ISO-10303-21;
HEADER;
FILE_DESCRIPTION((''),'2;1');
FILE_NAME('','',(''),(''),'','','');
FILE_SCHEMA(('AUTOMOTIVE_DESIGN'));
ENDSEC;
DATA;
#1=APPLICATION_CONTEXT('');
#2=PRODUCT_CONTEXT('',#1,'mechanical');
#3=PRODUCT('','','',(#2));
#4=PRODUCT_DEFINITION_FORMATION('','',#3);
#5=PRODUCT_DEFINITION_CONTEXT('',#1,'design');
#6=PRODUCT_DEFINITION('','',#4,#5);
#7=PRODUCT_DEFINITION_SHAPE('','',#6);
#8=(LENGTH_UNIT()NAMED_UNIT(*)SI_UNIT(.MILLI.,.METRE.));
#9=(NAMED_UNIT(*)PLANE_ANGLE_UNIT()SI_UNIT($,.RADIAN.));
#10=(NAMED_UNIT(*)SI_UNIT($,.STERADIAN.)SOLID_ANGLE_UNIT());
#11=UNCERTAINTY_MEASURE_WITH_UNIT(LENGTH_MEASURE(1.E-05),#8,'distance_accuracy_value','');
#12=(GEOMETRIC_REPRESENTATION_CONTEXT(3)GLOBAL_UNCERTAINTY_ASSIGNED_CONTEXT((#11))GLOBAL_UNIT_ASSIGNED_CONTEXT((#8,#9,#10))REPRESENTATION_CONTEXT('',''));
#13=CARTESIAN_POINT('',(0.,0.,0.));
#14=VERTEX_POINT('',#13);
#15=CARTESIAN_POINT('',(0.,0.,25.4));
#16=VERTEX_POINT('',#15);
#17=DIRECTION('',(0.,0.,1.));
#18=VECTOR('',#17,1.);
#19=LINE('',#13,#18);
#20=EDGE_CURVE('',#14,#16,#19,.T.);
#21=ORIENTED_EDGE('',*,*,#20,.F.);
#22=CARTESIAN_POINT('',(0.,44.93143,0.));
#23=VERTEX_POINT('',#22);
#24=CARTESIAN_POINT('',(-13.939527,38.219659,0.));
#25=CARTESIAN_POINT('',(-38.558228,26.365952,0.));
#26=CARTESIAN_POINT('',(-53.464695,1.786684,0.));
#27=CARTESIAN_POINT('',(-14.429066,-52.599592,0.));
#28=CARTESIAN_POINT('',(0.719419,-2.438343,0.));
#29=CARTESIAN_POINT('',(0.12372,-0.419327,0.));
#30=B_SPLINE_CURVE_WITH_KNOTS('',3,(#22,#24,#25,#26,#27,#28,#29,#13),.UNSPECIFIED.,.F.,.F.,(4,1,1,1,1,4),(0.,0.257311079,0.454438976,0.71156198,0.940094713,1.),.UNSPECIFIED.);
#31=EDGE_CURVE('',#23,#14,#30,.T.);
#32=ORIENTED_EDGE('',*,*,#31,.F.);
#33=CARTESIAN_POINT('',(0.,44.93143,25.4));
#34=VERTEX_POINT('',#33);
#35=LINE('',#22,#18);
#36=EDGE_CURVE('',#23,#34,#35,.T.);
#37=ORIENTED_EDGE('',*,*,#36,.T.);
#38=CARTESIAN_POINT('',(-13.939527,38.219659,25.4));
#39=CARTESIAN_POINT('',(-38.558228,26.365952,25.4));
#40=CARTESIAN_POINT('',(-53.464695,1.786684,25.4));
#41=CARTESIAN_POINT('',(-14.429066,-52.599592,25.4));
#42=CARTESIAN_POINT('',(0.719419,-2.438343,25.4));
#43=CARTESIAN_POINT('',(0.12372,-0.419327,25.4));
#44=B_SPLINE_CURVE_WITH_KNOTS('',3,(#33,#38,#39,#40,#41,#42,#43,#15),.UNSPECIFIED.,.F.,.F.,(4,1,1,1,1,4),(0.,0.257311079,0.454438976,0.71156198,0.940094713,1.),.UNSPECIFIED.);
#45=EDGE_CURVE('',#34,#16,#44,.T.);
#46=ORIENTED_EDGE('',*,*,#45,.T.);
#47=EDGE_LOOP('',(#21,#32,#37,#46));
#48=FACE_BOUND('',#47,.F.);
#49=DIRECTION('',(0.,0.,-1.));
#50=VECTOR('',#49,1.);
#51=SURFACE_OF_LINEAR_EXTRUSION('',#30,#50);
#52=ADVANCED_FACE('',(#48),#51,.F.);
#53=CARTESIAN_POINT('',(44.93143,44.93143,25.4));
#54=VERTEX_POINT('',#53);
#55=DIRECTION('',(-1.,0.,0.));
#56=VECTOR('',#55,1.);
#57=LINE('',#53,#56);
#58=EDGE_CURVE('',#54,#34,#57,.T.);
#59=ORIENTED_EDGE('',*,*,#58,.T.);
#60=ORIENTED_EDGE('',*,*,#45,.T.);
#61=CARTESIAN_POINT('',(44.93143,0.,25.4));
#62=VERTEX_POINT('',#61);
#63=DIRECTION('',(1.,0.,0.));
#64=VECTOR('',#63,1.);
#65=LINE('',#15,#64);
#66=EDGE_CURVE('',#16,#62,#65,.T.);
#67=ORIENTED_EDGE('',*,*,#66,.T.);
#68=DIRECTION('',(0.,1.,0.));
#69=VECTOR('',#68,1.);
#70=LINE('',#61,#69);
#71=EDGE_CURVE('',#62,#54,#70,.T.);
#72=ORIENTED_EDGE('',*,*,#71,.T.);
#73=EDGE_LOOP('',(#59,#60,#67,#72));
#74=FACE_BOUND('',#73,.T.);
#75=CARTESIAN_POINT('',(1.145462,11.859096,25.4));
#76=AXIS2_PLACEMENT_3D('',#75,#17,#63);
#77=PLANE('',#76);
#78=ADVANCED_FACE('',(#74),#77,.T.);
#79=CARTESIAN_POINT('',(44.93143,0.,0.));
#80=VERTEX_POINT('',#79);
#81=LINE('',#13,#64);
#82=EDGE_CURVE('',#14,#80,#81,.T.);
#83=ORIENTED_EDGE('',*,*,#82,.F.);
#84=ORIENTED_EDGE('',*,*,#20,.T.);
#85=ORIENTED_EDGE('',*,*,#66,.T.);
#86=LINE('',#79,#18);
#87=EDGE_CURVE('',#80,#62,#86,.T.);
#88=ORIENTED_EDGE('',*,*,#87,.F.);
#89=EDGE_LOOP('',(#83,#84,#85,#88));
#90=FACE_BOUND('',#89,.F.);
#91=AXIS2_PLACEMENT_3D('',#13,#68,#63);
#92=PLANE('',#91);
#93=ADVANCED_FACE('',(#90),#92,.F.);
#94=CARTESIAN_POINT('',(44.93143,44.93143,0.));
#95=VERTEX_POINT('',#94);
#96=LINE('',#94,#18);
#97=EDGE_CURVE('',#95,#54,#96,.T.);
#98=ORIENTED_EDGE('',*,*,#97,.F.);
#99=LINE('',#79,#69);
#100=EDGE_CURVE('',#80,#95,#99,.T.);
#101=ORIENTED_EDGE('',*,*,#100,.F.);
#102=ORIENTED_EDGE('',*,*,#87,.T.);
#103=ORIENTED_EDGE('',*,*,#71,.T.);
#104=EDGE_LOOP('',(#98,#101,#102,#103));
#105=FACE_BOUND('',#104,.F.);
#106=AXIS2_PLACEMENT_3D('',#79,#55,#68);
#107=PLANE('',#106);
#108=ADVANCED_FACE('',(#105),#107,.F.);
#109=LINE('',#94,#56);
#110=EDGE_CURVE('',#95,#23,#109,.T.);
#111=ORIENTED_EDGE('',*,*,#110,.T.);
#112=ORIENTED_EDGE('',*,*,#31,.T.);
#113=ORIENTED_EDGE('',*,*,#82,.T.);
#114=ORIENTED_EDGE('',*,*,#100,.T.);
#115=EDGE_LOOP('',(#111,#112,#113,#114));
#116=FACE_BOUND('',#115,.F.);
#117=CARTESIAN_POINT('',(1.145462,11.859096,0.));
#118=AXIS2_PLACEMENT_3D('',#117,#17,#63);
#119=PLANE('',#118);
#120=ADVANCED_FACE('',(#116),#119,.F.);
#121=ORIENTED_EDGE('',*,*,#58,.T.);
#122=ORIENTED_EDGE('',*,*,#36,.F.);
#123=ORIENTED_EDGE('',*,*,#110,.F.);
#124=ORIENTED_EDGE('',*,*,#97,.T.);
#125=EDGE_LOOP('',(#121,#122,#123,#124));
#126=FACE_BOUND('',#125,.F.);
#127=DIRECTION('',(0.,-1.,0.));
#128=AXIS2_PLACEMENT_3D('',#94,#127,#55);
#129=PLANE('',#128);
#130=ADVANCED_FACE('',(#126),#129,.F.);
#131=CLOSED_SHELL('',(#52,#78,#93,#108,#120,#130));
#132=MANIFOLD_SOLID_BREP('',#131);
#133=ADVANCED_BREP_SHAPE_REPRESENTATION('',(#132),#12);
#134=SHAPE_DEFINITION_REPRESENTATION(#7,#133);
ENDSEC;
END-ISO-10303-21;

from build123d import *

# Parameters (mm, degrees)
F1_DEPTH = 25.4


with BuildPart() as f1:
    # F0 (on Top) → F1 (new body)
    with BuildSketch(Plane.XY):
        with BuildLine():
            add(Edge.make_bspline(
                [(0, 44.9314303696), (-13.9395273288, 38.2196594177), (-38.5582283902, 26.3659517015), (-53.4646951406, 1.7866835165), (-14.4290656184, -52.5995921943), (0.7194193789, -2.438342556), (0.1237199723, -0.4193265881), (0, 0)],
                knots=[0, 0, 0, 0, 0.2573110785, 0.4544389757, 0.7115619799, 0.9400947131, 1, 1, 1, 1], degree=3))
            Line((0, 0), (44.9314303696, 0))
            Line((44.9314303696, 0), (44.9314303696, 44.9314303696))
            Line((44.9314303696, 44.9314303696), (0, 44.9314303696))
        make_face()
    extrude(amount=F1_DEPTH)


solid = f1.part
